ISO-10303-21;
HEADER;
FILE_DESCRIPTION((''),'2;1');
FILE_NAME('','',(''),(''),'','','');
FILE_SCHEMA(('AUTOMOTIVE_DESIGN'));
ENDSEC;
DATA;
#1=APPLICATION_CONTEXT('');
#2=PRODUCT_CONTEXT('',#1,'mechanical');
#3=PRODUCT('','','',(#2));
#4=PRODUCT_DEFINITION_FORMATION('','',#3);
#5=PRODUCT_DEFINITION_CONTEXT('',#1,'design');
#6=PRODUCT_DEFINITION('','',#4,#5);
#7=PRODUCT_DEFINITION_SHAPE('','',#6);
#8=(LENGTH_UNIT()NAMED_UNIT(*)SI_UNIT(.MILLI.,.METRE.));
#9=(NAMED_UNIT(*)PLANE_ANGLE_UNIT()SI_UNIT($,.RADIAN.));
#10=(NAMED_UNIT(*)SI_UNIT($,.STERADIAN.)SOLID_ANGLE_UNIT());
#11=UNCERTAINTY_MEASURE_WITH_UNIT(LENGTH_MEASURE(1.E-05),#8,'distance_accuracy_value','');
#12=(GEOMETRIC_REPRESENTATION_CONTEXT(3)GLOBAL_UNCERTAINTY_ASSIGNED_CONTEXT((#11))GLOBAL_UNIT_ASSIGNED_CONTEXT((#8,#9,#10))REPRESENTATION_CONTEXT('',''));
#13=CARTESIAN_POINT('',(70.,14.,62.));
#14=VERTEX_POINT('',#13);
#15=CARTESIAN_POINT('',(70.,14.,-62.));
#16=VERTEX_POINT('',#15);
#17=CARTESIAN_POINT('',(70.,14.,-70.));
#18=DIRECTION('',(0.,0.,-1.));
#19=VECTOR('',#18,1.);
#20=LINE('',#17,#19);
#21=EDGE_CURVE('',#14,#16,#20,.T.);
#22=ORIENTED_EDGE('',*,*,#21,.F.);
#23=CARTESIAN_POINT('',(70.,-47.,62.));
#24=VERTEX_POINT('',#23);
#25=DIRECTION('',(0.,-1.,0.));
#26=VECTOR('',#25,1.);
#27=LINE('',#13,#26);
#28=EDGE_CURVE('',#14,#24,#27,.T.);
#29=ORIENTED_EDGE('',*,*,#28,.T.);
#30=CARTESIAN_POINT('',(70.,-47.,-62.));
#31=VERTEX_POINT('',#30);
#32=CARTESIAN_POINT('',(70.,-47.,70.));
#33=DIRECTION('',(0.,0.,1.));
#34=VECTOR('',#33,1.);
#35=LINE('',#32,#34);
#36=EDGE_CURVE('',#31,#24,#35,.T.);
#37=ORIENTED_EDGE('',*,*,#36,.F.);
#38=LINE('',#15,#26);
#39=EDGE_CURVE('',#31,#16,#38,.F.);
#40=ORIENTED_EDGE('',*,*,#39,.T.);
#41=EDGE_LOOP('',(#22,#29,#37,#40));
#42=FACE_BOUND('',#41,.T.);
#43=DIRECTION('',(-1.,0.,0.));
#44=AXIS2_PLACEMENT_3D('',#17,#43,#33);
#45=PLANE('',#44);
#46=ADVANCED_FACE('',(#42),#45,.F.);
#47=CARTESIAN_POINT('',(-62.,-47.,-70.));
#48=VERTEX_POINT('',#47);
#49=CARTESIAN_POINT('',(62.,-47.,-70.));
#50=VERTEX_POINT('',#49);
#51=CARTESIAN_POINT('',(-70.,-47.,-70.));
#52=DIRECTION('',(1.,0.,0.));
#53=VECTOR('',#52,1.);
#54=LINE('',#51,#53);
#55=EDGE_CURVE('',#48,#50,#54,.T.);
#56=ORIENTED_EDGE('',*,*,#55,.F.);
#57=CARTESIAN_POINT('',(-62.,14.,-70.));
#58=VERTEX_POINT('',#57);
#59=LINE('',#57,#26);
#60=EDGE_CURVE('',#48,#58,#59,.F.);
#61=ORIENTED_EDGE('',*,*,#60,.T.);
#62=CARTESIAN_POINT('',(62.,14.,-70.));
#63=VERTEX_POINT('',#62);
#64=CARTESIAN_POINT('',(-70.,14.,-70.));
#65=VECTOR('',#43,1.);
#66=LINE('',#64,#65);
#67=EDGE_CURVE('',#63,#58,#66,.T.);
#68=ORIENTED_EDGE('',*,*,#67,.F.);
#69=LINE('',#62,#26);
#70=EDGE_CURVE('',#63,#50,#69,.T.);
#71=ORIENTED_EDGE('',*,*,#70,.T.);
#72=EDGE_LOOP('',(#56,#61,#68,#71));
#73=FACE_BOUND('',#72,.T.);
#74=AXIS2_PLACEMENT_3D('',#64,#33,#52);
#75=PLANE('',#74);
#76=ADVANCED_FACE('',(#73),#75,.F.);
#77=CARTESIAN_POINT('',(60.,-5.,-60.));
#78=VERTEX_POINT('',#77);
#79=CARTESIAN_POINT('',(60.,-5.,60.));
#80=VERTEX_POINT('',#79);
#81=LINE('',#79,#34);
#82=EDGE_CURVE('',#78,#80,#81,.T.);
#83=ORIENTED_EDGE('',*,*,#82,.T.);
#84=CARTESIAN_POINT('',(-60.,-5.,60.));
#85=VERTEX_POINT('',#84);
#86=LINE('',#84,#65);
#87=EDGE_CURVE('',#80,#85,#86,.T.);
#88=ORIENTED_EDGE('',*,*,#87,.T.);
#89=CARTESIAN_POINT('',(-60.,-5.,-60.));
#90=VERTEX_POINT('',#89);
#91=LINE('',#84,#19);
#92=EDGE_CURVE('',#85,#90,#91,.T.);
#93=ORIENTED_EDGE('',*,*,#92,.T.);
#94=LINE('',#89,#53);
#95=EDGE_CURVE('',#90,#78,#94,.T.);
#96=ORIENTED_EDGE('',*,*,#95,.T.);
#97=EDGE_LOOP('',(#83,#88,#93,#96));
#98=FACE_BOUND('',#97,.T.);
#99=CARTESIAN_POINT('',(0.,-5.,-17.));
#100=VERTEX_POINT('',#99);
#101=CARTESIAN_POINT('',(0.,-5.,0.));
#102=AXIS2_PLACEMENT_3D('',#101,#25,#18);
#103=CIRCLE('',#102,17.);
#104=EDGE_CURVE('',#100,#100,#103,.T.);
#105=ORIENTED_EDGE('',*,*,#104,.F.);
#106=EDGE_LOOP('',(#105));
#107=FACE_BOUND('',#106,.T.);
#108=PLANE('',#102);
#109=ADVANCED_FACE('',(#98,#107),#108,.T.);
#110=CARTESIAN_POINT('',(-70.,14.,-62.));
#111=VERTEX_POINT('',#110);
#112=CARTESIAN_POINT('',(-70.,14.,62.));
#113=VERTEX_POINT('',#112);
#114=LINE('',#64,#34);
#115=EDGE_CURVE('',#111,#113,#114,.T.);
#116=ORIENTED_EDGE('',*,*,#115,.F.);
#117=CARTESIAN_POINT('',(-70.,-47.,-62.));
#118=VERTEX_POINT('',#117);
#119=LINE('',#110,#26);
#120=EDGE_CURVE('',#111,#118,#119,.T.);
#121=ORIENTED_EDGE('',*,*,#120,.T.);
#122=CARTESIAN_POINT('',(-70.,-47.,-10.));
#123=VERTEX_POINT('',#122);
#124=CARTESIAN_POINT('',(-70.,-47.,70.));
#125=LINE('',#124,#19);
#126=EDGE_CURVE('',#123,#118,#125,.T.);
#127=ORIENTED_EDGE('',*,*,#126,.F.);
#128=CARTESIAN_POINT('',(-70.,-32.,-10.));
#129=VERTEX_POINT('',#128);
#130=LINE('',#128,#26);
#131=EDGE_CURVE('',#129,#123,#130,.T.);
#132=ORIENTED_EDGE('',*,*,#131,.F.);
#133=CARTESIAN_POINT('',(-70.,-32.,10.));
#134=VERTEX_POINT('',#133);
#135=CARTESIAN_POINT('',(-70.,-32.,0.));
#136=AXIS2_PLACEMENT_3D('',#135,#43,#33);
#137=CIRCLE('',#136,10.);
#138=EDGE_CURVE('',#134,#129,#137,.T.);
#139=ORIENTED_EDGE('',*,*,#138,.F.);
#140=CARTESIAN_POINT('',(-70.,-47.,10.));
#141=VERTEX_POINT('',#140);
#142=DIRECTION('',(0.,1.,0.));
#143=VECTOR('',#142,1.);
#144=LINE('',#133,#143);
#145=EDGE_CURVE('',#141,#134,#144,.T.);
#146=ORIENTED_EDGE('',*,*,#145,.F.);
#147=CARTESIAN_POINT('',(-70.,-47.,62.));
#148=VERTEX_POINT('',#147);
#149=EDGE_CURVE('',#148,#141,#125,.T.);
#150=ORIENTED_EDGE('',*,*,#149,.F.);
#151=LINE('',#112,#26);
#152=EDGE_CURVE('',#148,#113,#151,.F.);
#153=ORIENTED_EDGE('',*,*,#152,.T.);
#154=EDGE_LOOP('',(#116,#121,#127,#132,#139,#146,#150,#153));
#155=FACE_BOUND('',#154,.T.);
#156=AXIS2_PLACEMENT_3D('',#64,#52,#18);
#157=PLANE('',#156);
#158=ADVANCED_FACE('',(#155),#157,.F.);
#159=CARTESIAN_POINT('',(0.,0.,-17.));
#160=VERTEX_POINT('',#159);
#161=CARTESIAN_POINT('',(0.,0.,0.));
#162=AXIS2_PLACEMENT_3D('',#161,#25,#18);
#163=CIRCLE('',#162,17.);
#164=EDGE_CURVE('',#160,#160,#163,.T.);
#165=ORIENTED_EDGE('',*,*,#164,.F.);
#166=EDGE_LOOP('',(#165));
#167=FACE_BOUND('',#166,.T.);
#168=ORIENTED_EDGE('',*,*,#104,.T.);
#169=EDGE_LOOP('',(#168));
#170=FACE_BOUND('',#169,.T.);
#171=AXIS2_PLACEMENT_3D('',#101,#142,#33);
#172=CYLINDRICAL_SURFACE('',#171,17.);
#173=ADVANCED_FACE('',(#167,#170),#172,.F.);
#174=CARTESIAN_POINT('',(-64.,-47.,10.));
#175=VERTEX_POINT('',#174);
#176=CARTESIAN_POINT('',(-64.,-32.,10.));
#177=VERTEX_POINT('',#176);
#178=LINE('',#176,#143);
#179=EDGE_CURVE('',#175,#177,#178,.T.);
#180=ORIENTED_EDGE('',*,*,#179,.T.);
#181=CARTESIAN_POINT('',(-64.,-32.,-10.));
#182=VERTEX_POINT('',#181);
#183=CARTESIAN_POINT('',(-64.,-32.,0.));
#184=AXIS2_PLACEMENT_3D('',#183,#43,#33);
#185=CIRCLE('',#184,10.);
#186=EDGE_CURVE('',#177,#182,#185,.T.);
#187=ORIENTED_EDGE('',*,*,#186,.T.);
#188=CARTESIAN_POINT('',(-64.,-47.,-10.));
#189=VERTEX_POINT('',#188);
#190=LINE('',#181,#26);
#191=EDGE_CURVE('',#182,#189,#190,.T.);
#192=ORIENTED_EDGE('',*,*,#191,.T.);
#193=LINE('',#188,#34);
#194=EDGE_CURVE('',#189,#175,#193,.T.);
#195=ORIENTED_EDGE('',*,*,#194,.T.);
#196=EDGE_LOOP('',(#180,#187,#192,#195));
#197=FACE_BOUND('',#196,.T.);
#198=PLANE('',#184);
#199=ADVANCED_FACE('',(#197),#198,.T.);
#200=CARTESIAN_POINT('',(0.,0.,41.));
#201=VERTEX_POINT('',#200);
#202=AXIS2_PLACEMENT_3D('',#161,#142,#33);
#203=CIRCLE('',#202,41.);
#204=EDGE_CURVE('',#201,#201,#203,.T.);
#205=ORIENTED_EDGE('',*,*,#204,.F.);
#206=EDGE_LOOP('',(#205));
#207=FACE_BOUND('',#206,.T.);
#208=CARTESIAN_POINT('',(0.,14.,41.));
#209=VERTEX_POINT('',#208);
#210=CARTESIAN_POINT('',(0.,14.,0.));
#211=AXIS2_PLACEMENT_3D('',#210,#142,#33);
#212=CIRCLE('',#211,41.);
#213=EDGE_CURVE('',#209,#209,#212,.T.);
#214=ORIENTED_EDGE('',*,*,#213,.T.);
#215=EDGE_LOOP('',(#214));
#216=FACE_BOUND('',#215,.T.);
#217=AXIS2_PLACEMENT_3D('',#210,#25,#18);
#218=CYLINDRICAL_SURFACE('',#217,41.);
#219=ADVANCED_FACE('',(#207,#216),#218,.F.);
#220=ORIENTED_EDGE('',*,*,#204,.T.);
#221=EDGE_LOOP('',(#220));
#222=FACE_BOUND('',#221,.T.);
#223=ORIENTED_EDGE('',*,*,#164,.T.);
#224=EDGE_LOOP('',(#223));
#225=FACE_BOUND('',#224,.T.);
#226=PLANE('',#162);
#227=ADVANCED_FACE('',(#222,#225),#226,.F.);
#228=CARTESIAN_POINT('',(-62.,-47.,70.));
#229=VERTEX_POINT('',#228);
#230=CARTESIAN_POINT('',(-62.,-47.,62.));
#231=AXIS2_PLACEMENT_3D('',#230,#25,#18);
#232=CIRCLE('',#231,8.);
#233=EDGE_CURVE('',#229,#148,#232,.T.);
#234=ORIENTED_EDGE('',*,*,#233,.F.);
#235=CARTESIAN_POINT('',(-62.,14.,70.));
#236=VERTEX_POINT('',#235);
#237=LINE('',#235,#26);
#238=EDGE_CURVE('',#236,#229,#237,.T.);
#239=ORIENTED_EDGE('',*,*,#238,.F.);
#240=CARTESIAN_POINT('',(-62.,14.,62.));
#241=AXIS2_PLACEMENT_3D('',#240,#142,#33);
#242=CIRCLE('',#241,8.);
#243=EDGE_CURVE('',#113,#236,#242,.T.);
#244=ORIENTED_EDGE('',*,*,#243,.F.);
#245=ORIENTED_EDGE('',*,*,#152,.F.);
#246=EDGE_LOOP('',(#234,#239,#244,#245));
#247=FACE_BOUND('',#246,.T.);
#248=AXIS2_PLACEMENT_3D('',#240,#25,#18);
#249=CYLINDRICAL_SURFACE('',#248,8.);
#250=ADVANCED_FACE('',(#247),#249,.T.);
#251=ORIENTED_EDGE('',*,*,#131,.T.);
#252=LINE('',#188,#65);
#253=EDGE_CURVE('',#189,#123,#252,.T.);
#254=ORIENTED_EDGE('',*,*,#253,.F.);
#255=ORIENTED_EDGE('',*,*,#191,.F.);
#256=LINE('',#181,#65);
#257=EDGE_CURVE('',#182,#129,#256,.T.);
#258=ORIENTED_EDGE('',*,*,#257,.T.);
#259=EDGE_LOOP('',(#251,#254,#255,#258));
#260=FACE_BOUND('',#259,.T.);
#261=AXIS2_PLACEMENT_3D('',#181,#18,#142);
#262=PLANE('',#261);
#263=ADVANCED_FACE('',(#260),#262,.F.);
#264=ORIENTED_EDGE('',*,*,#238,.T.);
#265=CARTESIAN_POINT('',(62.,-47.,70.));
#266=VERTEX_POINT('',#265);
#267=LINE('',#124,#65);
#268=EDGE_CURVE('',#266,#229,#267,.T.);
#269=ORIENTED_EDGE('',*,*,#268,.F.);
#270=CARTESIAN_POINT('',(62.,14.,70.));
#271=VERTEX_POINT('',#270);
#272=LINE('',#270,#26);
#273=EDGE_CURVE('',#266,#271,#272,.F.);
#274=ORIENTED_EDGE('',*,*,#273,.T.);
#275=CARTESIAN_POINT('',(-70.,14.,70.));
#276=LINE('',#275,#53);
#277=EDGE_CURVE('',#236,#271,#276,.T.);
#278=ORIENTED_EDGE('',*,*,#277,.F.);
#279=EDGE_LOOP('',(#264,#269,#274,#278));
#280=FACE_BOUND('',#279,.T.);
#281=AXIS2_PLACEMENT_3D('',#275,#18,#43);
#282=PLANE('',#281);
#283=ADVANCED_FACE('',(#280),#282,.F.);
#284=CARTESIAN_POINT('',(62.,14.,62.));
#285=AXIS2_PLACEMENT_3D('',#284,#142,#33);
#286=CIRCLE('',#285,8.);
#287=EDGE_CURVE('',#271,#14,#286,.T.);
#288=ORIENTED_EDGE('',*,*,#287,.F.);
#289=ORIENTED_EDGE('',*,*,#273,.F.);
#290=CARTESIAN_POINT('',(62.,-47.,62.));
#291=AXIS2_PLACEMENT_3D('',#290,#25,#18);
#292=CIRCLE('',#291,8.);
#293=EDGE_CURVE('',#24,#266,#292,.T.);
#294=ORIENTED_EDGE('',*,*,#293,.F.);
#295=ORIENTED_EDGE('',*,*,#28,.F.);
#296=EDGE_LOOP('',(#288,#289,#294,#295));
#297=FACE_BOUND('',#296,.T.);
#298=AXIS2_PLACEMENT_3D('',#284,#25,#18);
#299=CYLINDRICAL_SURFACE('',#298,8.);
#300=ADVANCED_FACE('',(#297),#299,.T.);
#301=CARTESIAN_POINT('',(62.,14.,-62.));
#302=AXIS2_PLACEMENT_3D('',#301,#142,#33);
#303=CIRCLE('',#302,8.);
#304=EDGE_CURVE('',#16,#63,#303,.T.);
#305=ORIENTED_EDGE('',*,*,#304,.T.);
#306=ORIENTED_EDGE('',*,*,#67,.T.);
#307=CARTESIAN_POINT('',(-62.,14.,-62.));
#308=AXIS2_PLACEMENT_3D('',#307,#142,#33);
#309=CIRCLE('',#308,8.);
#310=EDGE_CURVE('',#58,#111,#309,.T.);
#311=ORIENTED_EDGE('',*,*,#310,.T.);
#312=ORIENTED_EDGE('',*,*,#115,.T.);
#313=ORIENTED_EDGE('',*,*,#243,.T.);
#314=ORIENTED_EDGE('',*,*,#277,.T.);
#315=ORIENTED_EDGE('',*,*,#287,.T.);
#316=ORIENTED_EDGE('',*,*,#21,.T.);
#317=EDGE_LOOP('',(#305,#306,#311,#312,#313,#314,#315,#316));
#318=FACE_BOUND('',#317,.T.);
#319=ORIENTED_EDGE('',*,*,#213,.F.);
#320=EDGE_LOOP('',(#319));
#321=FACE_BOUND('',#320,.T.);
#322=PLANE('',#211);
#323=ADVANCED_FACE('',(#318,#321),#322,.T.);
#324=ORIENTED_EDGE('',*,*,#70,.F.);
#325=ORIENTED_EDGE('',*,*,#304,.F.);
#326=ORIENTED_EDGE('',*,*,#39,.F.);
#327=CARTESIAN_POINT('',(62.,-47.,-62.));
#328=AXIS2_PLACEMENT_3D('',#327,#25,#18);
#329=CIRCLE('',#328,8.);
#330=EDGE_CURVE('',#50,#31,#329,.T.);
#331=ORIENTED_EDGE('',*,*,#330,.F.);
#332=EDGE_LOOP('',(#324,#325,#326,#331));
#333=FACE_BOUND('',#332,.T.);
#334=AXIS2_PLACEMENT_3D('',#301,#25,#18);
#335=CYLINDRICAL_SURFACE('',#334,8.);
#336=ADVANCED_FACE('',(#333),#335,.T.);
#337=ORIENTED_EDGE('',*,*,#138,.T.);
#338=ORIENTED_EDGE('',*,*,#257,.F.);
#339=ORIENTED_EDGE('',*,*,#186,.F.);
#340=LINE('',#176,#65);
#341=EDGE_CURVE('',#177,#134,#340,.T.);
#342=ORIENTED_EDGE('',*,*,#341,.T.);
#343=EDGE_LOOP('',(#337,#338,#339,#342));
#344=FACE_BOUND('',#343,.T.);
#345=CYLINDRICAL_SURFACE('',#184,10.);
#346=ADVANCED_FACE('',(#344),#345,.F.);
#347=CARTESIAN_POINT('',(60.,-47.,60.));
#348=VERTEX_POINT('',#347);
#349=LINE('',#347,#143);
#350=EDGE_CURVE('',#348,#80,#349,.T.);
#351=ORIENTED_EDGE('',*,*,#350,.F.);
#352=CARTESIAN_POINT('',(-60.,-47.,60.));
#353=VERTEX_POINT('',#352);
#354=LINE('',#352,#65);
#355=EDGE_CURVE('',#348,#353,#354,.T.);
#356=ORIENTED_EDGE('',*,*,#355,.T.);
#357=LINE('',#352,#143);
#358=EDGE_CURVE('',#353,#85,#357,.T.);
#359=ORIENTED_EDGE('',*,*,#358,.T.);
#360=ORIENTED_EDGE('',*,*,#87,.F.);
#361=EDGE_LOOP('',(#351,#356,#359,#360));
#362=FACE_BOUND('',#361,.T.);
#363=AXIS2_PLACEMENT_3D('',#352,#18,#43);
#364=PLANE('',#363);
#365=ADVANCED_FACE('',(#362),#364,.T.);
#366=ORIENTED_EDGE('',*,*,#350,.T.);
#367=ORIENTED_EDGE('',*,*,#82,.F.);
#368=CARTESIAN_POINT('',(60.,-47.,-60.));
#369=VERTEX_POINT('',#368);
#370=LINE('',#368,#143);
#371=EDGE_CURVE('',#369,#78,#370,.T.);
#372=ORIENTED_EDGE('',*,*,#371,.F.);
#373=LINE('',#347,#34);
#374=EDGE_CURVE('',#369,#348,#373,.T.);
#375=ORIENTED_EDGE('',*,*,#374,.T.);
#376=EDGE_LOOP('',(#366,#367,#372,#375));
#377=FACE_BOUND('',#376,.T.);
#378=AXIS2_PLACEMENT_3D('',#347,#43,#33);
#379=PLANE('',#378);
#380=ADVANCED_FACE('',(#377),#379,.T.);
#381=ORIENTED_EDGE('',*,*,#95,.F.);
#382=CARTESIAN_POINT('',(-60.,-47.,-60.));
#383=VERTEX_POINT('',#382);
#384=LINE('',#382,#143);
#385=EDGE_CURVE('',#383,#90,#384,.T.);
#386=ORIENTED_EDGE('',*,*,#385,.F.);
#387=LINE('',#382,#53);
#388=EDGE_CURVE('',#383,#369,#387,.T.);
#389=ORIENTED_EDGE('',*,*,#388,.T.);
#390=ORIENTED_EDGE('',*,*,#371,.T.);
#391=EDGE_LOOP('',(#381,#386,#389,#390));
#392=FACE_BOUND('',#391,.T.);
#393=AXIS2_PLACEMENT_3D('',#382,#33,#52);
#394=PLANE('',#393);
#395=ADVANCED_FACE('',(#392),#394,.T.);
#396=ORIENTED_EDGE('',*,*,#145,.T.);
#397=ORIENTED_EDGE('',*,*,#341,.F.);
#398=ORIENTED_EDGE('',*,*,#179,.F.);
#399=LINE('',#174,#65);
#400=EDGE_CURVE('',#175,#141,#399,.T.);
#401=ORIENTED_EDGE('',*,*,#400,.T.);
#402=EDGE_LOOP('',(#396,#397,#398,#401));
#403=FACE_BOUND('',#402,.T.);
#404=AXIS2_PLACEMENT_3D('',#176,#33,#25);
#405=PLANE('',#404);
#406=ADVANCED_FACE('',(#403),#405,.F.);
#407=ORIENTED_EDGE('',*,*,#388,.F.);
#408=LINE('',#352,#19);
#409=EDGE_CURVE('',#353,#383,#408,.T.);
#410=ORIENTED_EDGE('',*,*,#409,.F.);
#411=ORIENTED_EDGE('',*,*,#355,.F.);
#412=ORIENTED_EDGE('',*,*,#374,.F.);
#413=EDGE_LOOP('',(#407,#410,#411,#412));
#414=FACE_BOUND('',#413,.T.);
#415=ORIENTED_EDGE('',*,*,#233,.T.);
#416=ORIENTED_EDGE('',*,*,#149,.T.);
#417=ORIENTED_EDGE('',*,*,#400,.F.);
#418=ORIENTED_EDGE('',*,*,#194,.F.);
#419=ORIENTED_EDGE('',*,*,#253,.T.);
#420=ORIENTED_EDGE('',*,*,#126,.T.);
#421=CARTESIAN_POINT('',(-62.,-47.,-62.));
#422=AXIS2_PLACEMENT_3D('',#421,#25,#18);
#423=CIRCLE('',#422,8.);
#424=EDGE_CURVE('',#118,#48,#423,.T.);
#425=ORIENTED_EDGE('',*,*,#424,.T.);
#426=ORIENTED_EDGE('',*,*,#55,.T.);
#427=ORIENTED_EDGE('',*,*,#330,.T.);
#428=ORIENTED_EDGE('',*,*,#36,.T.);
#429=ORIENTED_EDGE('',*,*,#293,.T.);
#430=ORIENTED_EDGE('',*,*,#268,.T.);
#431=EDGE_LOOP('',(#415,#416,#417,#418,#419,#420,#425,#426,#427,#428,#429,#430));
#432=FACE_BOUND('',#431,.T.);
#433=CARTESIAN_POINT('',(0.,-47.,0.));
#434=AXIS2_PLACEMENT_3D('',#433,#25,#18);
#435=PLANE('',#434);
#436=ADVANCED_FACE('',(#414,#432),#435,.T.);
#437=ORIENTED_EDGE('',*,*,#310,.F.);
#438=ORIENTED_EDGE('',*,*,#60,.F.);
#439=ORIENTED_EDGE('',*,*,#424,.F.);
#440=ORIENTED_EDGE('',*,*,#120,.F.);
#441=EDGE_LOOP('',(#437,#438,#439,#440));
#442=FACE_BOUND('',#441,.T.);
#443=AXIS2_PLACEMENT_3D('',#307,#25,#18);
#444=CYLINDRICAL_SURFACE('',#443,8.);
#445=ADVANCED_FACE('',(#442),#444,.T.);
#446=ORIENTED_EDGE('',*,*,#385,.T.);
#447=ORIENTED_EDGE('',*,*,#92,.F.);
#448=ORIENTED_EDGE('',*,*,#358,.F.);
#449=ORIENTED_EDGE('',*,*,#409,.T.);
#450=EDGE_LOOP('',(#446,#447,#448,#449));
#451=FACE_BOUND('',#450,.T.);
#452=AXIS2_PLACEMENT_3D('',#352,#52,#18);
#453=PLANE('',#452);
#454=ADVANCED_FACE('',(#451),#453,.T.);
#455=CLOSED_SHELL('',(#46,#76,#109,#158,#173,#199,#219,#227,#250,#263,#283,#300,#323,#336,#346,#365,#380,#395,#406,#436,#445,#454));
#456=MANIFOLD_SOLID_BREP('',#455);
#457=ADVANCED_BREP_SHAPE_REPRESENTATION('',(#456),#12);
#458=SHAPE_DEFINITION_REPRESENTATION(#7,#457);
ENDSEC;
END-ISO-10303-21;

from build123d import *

# Parameters (mm, degrees)
SKETCH_1_W          = 140
SKETCH_1_H          = 140
SKETCH_1_R          = 41
EXTRUDE_1_DEPTH     = 14
SKETCH_3_W          = 140
SKETCH_3_H          = 140
SKETCH_3_R          = 17
EXTRUDE_2_DEPTH     = 5
SKETCH_4_W          = 140
SKETCH_4_H          = 140
SKETCH_4_W_2        = 120
SKETCH_4_H_2        = 120
EXTRUDE_3_DEPTH     = 42
FILLET_3_R          = 8
CUT_EXTRUDE_1_DEPTH = 6


with BuildPart() as part:
    # 草图1 → 凸台-拉伸1 (new body)
    with BuildSketch(Plane(origin=(0, 0, 0), x_dir=(1, 0, 0), z_dir=(0, 1, 0))):
        Rectangle(SKETCH_1_W, SKETCH_1_H)
        with Locations(Location((0, 0, 0), (0, 0, 270))):
            Circle(SKETCH_1_R, mode=Mode.SUBTRACT)
    extrude(amount=EXTRUDE_1_DEPTH)

    # 草图3 → 凸台-拉伸2 (add)
    with BuildSketch(Plane.XZ):
        Rectangle(SKETCH_3_W, SKETCH_3_H)
        with Locations(Location((0, 0, 0), (0, 0, 270))):
            Circle(SKETCH_3_R, mode=Mode.SUBTRACT)
    extrude(amount=EXTRUDE_2_DEPTH)

    # 草图4 → 凸台-拉伸3 (add)
    with BuildSketch(Plane.XZ.offset(5)):
        Rectangle(SKETCH_4_W, SKETCH_4_H)
        Rectangle(SKETCH_4_W_2, SKETCH_4_H_2, mode=Mode.SUBTRACT)
    extrude(amount=EXTRUDE_3_DEPTH)

    # 圆角3
    fillet_3_edges = [part.edges().sort_by_distance(p)[0] for p in [
        (70, -16.5, 70),
        (-70, -16.5, 70),
        (-70, -16.5, -70),
        (70, -16.5, -70),
    ]]
    fillet(fillet_3_edges, radius=FILLET_3_R)

    # 草图5 → 切除-拉伸1 (cut)
    with BuildSketch(Plane.ZY.offset(70)):
        with BuildLine():
            Line((-10, -32), (-10, -47))
            Line((-10, -47), (10, -47))
            Line((10, -47), (10, -32))
            ThreePointArc((10, -32), (0, -22), (-10, -32))
        make_face()
    extrude(amount=-CUT_EXTRUDE_1_DEPTH, mode=Mode.SUBTRACT)


solid = part.part
